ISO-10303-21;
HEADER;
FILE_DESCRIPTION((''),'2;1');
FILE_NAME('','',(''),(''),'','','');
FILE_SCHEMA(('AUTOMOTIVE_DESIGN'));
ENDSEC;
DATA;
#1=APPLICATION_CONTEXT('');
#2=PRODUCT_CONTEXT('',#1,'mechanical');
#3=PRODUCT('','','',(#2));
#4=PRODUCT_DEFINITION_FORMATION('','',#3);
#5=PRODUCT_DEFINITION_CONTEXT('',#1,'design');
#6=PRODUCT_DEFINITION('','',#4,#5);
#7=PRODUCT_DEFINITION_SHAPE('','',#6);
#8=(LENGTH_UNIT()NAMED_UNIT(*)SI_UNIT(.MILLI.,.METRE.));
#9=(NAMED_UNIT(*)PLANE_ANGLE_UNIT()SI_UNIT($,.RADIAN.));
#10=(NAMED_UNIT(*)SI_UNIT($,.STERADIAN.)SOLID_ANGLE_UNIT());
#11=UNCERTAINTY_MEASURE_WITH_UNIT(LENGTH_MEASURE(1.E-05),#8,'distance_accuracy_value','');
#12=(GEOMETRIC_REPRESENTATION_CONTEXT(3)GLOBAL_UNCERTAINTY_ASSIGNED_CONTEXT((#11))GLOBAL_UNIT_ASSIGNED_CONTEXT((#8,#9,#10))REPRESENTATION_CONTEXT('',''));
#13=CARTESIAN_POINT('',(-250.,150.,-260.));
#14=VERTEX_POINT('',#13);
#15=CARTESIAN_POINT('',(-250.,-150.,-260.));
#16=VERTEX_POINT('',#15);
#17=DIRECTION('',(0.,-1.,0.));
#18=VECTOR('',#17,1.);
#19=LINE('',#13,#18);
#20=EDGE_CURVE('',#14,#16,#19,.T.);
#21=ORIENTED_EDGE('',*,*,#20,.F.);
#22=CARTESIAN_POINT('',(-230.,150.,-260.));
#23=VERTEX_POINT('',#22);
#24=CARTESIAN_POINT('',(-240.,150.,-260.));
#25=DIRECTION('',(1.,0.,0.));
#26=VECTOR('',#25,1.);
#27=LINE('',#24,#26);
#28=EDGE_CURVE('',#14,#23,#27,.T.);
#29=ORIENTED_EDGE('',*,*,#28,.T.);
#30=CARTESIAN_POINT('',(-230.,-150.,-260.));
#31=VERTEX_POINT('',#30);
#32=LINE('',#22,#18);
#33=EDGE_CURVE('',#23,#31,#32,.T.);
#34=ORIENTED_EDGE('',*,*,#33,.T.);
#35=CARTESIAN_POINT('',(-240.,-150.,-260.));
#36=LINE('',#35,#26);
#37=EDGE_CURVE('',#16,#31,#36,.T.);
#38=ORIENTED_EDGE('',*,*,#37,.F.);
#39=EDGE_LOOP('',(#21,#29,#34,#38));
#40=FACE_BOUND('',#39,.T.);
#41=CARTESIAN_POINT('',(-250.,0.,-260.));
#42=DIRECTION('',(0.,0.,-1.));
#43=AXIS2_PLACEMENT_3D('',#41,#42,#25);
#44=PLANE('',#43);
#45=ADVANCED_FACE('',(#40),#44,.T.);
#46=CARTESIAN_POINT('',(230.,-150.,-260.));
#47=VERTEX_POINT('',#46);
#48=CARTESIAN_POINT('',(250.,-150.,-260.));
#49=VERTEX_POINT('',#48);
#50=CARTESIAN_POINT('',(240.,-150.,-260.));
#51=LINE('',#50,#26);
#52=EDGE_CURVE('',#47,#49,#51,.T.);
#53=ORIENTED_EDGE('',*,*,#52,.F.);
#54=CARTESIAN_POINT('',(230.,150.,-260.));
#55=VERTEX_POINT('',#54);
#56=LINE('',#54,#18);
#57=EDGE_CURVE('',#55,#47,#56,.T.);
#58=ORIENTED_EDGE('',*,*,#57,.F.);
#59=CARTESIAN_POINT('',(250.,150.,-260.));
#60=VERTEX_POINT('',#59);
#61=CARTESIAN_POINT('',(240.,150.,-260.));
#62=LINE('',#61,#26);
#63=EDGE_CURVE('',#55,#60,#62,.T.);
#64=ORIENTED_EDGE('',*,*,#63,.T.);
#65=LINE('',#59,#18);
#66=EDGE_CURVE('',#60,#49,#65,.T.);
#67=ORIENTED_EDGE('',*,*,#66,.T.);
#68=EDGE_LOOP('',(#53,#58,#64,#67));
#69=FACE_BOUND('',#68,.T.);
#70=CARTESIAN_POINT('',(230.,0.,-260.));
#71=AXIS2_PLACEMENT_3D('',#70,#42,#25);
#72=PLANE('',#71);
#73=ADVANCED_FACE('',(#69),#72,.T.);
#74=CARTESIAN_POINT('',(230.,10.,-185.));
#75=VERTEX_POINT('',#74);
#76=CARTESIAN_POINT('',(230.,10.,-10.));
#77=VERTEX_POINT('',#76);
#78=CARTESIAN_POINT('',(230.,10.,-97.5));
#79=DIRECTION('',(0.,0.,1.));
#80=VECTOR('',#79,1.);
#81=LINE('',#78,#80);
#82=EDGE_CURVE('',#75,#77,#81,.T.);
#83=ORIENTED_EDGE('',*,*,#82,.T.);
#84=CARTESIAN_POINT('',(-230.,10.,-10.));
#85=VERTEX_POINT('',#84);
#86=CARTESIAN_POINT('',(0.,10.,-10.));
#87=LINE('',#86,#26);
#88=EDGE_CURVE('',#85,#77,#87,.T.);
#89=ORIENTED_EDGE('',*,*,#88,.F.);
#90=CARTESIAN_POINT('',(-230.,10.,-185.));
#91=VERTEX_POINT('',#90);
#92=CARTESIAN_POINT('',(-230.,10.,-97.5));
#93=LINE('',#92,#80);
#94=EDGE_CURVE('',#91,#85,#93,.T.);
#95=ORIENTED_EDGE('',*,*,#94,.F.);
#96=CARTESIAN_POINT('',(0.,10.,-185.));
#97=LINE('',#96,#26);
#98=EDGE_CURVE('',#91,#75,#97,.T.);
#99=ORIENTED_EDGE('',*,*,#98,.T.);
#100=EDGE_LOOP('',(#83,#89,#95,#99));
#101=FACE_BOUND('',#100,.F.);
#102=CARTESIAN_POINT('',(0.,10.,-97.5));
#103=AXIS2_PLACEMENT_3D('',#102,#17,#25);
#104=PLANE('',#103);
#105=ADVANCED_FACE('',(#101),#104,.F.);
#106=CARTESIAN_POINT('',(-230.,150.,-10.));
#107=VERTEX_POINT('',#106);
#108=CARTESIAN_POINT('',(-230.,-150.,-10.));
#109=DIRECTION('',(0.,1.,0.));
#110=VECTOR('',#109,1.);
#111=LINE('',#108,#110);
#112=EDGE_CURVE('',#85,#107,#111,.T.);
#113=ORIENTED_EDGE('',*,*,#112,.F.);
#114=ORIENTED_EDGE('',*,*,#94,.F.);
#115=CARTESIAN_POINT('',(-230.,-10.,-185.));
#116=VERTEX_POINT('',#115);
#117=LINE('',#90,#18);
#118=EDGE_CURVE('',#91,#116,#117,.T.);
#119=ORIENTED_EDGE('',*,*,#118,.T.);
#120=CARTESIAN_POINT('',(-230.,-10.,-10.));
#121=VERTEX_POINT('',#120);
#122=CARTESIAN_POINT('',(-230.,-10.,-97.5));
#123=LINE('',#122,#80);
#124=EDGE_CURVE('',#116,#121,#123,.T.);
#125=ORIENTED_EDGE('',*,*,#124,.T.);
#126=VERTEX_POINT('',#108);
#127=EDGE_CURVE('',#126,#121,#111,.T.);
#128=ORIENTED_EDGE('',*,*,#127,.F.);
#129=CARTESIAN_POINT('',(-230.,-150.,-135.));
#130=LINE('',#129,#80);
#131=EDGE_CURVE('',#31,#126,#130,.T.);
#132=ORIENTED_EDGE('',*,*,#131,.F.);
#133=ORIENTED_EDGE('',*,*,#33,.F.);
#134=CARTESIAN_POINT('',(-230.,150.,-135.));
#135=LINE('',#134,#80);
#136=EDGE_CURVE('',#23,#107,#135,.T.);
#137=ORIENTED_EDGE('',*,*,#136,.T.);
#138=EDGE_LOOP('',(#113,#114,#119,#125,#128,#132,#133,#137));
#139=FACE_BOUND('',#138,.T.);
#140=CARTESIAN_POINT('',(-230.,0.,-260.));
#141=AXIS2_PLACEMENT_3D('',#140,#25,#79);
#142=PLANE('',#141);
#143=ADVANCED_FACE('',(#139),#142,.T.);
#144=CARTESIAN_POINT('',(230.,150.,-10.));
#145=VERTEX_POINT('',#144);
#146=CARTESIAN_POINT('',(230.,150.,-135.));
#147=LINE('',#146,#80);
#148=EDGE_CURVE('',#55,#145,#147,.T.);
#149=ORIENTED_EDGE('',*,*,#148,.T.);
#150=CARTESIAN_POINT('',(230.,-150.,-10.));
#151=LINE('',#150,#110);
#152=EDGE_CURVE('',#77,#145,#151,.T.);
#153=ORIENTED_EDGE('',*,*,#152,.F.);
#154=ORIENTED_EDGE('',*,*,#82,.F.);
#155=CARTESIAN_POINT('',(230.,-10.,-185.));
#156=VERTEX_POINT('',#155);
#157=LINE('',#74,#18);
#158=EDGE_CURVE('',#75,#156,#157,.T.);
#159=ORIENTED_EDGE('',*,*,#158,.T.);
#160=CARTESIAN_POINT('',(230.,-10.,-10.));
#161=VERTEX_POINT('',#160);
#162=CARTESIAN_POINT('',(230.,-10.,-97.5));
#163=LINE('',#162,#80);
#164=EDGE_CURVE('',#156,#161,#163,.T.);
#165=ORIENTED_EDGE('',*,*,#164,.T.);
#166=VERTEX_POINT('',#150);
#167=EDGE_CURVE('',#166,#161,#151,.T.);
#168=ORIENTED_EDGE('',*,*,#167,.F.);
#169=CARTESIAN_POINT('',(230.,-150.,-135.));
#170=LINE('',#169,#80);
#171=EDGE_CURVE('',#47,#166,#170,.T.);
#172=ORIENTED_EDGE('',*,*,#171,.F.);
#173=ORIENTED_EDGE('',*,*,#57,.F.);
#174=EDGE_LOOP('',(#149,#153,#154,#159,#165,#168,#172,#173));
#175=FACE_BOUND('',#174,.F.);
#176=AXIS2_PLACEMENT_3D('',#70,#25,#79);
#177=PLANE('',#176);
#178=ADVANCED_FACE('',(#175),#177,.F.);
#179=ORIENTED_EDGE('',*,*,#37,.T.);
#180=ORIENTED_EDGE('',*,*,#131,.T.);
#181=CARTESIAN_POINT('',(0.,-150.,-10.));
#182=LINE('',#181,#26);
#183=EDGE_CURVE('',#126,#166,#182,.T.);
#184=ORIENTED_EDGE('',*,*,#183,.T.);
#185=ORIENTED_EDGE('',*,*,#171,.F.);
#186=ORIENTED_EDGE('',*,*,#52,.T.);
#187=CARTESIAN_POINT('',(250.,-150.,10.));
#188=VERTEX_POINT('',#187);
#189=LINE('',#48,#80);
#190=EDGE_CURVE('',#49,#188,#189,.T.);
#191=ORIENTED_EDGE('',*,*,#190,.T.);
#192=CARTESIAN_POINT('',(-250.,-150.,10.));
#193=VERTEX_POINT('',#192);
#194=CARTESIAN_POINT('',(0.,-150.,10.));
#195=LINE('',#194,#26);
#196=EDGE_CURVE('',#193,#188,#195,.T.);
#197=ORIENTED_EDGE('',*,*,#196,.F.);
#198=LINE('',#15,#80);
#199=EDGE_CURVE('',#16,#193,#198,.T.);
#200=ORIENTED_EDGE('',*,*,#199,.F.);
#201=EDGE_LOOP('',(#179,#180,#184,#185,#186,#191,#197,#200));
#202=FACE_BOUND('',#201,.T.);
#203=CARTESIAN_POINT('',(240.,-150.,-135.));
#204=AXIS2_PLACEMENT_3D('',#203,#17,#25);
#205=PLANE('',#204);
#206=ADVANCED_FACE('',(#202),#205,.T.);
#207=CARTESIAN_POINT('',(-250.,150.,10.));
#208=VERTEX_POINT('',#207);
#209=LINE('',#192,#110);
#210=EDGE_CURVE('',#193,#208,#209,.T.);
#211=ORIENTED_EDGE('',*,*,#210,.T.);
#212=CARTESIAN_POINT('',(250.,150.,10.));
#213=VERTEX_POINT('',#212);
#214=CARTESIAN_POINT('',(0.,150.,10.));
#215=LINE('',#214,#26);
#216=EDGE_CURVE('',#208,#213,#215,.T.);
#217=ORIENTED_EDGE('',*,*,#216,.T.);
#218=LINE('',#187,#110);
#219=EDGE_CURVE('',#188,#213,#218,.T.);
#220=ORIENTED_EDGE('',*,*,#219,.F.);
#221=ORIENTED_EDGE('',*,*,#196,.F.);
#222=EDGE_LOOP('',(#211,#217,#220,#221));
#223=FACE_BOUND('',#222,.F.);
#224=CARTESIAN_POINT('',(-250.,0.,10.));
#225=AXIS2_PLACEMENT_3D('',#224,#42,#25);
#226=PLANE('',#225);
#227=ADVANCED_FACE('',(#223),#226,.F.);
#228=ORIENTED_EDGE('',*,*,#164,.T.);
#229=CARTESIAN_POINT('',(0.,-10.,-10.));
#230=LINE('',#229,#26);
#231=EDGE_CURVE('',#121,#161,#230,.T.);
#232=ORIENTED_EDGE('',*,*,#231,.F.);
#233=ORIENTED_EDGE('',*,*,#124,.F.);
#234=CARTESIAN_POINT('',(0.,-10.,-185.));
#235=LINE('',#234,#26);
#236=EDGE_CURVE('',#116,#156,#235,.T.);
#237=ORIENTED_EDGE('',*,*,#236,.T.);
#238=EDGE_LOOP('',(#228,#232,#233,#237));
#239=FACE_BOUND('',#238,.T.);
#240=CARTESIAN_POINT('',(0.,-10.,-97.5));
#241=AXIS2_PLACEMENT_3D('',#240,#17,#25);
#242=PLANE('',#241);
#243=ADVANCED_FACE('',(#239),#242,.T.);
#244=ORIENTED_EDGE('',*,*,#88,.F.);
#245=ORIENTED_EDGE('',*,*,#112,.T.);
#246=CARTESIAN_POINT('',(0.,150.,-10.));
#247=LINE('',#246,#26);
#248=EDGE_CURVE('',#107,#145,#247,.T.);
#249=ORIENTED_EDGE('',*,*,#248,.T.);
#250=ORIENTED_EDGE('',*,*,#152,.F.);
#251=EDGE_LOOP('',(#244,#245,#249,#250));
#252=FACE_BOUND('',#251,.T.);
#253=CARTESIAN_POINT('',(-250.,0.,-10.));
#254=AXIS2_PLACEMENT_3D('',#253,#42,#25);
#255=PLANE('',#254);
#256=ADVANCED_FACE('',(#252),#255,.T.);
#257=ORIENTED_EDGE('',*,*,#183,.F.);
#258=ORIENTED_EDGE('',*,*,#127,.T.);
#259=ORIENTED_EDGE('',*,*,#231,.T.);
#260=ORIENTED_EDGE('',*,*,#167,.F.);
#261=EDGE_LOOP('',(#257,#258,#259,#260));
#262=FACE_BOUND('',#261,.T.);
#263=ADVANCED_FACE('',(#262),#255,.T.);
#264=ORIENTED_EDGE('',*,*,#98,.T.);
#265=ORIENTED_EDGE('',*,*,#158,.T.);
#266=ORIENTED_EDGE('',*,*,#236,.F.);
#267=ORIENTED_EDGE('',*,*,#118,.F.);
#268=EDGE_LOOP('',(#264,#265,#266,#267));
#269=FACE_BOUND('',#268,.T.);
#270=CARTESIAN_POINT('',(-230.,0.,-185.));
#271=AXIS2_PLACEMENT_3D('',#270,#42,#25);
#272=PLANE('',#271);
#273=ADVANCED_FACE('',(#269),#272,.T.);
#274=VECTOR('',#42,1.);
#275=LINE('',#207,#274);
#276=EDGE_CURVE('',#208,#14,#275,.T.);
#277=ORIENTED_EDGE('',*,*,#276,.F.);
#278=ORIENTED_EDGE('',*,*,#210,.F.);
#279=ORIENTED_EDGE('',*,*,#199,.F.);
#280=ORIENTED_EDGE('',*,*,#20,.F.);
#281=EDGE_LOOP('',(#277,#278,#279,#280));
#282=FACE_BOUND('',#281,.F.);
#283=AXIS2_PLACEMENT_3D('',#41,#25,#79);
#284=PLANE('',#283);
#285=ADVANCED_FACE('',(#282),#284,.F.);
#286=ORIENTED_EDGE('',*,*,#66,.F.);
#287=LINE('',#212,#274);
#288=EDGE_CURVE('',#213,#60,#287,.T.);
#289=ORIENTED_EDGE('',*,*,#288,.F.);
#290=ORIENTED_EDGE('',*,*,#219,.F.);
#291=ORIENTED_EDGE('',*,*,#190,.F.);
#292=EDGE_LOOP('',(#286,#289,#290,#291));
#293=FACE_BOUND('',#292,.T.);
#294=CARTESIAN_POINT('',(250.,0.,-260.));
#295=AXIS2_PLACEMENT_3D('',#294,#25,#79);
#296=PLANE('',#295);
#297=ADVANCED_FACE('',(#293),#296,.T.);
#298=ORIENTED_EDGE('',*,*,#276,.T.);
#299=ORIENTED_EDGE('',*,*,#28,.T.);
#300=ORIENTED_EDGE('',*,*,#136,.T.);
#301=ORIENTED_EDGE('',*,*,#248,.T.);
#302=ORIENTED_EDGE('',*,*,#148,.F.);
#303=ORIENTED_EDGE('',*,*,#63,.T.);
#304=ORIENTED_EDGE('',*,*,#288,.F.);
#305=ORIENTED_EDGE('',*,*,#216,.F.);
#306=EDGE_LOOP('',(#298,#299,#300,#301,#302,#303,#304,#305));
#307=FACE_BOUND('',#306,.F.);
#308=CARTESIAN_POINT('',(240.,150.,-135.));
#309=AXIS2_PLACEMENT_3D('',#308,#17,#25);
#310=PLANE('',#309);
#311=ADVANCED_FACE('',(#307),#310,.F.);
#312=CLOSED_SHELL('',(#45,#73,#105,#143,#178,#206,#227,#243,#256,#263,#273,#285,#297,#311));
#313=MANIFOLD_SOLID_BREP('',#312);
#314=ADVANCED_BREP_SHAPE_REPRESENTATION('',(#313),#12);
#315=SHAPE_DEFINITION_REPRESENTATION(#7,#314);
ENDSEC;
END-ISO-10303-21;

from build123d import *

# Parameters (mm, degrees)
F0_W     = 500
F0_H     = 20
F4_DEPTH = 150
F1_W     = 20
F1_H     = 250
F5_DEPTH = 150
F2_W     = 20
F2_H     = 250
F6_DEPTH = 150
F3_W     = 460
F3_H     = 175
F7_DEPTH = 10


with BuildPart() as f4:
    # F0 (on Front) → F4 (new body, symmetric)
    with BuildSketch(Plane.XZ):
        Rectangle(F0_W, F0_H)
    extrude(amount=F4_DEPTH, both=True)

    # F1 (on Front) → F5 (join, symmetric)
    with BuildSketch(Plane.XZ):
        with Locations((-240, -135)):
            Rectangle(F1_W, F1_H)
    extrude(amount=F5_DEPTH, both=True)

    # F2 (on Front) → F6 (join, symmetric)
    with BuildSketch(Plane.XZ):
        with Locations((240, -135)):
            Rectangle(F2_W, F2_H)
    extrude(amount=F6_DEPTH, both=True)

    # F3 (on Front) → F7 (join, symmetric)
    with BuildSketch(Plane.XZ):
        with Locations((0, -97.5)):
            Rectangle(F3_W, F3_H)
    extrude(amount=F7_DEPTH, both=True)


solid = f4.part
